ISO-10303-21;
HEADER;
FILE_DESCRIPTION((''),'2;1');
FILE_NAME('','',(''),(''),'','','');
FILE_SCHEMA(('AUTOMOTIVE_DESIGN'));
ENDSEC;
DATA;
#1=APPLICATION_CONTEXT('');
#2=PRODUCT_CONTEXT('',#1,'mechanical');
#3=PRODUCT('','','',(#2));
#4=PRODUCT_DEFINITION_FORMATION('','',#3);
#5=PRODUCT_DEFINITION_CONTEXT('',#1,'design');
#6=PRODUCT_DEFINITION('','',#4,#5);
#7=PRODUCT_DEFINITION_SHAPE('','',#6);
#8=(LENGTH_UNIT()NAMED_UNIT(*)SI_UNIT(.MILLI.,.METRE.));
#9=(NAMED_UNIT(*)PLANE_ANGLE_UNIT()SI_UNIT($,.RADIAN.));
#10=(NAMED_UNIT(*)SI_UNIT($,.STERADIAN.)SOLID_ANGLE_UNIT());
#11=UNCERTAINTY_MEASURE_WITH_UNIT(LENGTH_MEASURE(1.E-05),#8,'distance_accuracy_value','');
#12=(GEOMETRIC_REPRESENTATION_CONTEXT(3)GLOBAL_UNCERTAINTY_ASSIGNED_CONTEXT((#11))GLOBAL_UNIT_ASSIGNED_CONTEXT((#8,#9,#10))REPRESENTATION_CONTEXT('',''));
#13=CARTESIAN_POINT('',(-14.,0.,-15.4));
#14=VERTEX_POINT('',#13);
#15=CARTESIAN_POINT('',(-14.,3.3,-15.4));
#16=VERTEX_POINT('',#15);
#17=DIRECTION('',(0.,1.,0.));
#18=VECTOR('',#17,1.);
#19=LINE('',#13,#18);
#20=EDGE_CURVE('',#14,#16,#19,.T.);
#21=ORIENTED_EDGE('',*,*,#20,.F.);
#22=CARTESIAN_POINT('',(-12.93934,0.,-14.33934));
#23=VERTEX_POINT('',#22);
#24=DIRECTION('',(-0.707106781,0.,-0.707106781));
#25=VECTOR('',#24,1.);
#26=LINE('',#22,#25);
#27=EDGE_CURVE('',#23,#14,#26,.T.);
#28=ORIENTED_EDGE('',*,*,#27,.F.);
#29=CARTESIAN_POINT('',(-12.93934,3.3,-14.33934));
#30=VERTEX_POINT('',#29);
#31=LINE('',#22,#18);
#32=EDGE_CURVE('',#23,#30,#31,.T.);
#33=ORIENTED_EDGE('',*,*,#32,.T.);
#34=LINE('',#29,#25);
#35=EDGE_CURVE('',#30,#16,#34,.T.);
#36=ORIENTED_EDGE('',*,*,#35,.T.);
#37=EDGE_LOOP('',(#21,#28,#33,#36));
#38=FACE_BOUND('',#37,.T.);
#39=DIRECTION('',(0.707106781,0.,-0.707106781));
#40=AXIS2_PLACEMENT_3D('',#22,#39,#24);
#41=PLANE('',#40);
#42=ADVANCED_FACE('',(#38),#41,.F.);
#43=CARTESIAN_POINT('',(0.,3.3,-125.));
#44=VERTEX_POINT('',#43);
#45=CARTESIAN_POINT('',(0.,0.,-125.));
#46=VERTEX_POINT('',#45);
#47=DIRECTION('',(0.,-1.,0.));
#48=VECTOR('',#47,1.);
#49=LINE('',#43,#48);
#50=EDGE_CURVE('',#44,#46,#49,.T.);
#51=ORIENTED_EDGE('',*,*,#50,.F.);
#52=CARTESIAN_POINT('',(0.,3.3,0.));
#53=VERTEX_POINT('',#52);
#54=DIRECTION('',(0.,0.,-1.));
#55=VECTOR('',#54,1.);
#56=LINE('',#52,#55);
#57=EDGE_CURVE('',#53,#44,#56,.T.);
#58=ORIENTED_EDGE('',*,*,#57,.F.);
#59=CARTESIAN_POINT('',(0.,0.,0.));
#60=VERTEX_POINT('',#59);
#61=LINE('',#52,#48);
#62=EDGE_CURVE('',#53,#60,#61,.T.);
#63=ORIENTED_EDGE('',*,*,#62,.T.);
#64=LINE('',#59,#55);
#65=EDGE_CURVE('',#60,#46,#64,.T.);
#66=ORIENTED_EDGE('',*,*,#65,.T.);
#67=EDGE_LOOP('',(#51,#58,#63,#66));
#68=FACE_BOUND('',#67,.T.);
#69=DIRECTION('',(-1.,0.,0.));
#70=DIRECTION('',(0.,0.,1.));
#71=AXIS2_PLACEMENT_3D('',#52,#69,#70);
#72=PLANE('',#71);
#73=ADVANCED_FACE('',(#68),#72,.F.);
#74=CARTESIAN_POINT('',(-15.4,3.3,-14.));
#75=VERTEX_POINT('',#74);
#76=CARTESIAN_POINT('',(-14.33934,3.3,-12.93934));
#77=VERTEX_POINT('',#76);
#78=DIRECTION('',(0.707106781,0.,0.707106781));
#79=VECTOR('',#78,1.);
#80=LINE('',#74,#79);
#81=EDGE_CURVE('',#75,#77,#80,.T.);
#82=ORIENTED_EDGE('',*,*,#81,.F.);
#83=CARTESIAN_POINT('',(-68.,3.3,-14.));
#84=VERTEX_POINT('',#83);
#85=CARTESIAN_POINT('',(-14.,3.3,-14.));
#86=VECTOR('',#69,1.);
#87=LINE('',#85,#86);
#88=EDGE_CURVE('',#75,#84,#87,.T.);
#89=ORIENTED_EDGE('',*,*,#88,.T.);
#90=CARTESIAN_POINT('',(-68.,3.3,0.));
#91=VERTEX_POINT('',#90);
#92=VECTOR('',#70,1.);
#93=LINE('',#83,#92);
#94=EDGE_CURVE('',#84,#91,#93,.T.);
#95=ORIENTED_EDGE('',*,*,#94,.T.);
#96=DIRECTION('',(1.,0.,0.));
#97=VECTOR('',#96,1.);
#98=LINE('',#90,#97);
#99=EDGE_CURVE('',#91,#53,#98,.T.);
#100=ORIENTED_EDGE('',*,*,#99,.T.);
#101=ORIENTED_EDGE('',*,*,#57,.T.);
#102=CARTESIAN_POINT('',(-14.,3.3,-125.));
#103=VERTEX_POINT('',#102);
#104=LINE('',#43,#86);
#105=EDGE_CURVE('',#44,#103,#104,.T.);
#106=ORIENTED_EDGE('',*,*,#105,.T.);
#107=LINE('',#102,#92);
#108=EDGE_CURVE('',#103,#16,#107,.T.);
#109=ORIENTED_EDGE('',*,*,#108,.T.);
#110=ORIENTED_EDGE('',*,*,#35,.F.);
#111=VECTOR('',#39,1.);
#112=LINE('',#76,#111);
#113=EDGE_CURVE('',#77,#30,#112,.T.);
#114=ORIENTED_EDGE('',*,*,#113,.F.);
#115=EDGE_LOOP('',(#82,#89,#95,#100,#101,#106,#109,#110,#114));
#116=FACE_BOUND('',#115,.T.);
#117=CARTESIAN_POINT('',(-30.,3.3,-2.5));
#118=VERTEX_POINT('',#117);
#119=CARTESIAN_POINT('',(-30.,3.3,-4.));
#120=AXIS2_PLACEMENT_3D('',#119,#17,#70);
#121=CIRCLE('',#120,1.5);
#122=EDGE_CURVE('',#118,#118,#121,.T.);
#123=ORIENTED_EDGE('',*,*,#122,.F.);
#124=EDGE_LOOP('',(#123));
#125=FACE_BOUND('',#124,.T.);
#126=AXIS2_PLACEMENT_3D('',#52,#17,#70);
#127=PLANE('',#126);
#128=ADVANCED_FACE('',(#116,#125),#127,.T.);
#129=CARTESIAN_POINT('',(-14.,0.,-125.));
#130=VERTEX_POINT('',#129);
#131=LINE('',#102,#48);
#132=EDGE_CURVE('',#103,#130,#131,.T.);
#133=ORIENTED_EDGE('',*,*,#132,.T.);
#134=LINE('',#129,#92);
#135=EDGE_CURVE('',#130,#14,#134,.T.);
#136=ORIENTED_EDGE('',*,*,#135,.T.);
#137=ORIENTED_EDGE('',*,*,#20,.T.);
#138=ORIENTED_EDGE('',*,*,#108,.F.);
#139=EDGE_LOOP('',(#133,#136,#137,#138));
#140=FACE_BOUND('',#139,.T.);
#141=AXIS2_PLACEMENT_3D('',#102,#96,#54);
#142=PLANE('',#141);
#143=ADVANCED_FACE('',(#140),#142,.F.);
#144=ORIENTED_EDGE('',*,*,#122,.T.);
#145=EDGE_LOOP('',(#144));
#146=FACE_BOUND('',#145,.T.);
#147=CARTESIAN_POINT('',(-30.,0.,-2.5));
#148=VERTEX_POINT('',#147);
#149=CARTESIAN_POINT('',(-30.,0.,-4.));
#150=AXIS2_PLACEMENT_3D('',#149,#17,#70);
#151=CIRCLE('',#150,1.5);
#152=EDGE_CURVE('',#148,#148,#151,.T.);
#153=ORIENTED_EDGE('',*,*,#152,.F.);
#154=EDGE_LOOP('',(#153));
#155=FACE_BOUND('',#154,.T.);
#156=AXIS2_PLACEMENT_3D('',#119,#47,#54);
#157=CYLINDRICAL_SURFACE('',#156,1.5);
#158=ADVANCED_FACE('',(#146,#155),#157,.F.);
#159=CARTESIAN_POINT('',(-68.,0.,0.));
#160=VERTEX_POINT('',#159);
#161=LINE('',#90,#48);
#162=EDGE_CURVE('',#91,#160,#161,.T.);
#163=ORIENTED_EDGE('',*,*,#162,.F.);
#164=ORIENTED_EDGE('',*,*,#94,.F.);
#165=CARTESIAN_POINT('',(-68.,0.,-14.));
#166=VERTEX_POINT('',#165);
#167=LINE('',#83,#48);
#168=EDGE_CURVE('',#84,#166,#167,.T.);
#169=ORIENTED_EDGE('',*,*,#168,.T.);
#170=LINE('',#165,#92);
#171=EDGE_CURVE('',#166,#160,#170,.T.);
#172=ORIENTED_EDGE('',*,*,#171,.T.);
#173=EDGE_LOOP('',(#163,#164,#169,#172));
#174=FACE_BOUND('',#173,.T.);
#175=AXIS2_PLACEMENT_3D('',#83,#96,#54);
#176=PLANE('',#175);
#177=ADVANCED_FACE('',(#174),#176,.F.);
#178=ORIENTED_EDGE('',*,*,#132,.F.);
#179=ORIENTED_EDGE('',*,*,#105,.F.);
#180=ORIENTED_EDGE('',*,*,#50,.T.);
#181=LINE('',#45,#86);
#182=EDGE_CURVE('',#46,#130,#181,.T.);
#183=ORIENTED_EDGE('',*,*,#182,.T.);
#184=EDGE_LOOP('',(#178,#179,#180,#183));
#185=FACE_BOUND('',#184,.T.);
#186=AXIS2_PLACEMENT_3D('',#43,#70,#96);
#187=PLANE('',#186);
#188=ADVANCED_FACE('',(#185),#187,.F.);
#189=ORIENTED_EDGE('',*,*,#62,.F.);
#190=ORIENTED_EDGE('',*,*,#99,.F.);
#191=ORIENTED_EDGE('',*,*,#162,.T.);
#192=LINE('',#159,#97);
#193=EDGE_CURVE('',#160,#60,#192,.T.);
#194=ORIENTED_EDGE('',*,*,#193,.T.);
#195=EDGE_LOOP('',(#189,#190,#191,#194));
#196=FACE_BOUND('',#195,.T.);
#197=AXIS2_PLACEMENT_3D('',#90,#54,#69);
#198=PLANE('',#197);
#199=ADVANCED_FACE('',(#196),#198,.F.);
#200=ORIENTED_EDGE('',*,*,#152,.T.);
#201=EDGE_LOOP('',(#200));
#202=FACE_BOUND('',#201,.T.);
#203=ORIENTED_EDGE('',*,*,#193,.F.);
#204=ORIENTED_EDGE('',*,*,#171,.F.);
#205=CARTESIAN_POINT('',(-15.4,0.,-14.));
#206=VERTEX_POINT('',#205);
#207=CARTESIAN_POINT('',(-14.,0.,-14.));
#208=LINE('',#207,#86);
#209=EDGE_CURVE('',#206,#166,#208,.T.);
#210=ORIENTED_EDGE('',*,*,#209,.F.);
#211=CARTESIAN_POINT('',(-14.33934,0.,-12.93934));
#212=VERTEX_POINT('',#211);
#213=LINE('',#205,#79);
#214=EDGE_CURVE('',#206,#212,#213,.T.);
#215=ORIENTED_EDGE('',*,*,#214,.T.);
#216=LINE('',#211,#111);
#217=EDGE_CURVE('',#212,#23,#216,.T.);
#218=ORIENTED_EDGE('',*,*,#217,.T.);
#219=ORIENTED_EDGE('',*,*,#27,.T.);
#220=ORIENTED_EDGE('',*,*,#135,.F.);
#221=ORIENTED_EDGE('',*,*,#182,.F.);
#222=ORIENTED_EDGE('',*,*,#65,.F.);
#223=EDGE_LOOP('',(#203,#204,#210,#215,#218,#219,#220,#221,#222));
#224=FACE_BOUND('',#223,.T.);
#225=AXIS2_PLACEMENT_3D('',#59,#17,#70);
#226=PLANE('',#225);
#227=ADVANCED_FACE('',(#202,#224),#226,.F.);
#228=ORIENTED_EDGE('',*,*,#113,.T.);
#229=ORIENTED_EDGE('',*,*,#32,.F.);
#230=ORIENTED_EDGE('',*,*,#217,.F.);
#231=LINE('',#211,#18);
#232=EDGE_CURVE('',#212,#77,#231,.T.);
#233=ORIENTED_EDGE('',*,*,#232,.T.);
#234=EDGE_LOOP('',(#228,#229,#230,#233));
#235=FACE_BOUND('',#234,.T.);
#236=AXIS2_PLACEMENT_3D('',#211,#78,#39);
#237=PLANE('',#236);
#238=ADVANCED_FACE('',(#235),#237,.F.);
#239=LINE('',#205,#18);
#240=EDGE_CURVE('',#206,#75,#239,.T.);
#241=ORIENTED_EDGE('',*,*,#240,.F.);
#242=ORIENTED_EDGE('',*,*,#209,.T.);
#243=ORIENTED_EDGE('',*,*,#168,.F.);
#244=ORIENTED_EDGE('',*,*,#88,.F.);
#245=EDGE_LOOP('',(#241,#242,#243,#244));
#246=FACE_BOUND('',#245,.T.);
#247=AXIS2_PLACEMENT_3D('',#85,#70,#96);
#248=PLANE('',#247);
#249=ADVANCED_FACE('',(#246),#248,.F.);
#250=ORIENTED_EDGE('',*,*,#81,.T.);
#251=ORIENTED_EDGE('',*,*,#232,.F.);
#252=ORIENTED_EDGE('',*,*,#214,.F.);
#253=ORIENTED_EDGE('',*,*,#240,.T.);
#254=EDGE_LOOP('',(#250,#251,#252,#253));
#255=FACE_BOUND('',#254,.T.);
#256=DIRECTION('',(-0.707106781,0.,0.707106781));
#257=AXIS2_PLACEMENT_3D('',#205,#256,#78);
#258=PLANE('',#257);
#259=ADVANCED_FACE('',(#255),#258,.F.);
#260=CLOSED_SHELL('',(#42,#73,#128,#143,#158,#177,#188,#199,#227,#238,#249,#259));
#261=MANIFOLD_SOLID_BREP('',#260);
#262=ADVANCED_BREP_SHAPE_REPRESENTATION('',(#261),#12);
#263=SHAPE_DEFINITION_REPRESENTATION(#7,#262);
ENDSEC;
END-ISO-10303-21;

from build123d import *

# Parameters (mm, degrees)
SKETCH_1_R          = 1.5
EXTRUDE_1_DEPTH     = 3.3
CUT_EXTRUDE_1_DEPTH = 3.3


with BuildPart() as part:
    # Эскиз1 → Бобышка-Вытянуть1 (new body)
    with BuildSketch(Plane(origin=(0, 0, 0), x_dir=(1, 0, 0), z_dir=(0, 1, 0))):
        Polygon((0, 0), (0, 125), (-14, 125), (-14, 14), (-68, 14), (-68, 0), align=None)
        with Locations((-30, 4)):
            Circle(SKETCH_1_R, mode=Mode.SUBTRACT)
    extrude(amount=EXTRUDE_1_DEPTH)

    # Эскиз2 → Вырез-Вытянуть1 (cut)
    with BuildSketch(Plane(origin=(0, 3.3, 0), x_dir=(1, 0, 0), z_dir=(0, 1, 0))):
        Polygon((-15.4, 14), (-14.339339828, 12.939339828), (-12.939339828, 14.339339828), (-14, 15.4), align=None)
    extrude(amount=-CUT_EXTRUDE_1_DEPTH, mode=Mode.SUBTRACT)


solid = part.part
